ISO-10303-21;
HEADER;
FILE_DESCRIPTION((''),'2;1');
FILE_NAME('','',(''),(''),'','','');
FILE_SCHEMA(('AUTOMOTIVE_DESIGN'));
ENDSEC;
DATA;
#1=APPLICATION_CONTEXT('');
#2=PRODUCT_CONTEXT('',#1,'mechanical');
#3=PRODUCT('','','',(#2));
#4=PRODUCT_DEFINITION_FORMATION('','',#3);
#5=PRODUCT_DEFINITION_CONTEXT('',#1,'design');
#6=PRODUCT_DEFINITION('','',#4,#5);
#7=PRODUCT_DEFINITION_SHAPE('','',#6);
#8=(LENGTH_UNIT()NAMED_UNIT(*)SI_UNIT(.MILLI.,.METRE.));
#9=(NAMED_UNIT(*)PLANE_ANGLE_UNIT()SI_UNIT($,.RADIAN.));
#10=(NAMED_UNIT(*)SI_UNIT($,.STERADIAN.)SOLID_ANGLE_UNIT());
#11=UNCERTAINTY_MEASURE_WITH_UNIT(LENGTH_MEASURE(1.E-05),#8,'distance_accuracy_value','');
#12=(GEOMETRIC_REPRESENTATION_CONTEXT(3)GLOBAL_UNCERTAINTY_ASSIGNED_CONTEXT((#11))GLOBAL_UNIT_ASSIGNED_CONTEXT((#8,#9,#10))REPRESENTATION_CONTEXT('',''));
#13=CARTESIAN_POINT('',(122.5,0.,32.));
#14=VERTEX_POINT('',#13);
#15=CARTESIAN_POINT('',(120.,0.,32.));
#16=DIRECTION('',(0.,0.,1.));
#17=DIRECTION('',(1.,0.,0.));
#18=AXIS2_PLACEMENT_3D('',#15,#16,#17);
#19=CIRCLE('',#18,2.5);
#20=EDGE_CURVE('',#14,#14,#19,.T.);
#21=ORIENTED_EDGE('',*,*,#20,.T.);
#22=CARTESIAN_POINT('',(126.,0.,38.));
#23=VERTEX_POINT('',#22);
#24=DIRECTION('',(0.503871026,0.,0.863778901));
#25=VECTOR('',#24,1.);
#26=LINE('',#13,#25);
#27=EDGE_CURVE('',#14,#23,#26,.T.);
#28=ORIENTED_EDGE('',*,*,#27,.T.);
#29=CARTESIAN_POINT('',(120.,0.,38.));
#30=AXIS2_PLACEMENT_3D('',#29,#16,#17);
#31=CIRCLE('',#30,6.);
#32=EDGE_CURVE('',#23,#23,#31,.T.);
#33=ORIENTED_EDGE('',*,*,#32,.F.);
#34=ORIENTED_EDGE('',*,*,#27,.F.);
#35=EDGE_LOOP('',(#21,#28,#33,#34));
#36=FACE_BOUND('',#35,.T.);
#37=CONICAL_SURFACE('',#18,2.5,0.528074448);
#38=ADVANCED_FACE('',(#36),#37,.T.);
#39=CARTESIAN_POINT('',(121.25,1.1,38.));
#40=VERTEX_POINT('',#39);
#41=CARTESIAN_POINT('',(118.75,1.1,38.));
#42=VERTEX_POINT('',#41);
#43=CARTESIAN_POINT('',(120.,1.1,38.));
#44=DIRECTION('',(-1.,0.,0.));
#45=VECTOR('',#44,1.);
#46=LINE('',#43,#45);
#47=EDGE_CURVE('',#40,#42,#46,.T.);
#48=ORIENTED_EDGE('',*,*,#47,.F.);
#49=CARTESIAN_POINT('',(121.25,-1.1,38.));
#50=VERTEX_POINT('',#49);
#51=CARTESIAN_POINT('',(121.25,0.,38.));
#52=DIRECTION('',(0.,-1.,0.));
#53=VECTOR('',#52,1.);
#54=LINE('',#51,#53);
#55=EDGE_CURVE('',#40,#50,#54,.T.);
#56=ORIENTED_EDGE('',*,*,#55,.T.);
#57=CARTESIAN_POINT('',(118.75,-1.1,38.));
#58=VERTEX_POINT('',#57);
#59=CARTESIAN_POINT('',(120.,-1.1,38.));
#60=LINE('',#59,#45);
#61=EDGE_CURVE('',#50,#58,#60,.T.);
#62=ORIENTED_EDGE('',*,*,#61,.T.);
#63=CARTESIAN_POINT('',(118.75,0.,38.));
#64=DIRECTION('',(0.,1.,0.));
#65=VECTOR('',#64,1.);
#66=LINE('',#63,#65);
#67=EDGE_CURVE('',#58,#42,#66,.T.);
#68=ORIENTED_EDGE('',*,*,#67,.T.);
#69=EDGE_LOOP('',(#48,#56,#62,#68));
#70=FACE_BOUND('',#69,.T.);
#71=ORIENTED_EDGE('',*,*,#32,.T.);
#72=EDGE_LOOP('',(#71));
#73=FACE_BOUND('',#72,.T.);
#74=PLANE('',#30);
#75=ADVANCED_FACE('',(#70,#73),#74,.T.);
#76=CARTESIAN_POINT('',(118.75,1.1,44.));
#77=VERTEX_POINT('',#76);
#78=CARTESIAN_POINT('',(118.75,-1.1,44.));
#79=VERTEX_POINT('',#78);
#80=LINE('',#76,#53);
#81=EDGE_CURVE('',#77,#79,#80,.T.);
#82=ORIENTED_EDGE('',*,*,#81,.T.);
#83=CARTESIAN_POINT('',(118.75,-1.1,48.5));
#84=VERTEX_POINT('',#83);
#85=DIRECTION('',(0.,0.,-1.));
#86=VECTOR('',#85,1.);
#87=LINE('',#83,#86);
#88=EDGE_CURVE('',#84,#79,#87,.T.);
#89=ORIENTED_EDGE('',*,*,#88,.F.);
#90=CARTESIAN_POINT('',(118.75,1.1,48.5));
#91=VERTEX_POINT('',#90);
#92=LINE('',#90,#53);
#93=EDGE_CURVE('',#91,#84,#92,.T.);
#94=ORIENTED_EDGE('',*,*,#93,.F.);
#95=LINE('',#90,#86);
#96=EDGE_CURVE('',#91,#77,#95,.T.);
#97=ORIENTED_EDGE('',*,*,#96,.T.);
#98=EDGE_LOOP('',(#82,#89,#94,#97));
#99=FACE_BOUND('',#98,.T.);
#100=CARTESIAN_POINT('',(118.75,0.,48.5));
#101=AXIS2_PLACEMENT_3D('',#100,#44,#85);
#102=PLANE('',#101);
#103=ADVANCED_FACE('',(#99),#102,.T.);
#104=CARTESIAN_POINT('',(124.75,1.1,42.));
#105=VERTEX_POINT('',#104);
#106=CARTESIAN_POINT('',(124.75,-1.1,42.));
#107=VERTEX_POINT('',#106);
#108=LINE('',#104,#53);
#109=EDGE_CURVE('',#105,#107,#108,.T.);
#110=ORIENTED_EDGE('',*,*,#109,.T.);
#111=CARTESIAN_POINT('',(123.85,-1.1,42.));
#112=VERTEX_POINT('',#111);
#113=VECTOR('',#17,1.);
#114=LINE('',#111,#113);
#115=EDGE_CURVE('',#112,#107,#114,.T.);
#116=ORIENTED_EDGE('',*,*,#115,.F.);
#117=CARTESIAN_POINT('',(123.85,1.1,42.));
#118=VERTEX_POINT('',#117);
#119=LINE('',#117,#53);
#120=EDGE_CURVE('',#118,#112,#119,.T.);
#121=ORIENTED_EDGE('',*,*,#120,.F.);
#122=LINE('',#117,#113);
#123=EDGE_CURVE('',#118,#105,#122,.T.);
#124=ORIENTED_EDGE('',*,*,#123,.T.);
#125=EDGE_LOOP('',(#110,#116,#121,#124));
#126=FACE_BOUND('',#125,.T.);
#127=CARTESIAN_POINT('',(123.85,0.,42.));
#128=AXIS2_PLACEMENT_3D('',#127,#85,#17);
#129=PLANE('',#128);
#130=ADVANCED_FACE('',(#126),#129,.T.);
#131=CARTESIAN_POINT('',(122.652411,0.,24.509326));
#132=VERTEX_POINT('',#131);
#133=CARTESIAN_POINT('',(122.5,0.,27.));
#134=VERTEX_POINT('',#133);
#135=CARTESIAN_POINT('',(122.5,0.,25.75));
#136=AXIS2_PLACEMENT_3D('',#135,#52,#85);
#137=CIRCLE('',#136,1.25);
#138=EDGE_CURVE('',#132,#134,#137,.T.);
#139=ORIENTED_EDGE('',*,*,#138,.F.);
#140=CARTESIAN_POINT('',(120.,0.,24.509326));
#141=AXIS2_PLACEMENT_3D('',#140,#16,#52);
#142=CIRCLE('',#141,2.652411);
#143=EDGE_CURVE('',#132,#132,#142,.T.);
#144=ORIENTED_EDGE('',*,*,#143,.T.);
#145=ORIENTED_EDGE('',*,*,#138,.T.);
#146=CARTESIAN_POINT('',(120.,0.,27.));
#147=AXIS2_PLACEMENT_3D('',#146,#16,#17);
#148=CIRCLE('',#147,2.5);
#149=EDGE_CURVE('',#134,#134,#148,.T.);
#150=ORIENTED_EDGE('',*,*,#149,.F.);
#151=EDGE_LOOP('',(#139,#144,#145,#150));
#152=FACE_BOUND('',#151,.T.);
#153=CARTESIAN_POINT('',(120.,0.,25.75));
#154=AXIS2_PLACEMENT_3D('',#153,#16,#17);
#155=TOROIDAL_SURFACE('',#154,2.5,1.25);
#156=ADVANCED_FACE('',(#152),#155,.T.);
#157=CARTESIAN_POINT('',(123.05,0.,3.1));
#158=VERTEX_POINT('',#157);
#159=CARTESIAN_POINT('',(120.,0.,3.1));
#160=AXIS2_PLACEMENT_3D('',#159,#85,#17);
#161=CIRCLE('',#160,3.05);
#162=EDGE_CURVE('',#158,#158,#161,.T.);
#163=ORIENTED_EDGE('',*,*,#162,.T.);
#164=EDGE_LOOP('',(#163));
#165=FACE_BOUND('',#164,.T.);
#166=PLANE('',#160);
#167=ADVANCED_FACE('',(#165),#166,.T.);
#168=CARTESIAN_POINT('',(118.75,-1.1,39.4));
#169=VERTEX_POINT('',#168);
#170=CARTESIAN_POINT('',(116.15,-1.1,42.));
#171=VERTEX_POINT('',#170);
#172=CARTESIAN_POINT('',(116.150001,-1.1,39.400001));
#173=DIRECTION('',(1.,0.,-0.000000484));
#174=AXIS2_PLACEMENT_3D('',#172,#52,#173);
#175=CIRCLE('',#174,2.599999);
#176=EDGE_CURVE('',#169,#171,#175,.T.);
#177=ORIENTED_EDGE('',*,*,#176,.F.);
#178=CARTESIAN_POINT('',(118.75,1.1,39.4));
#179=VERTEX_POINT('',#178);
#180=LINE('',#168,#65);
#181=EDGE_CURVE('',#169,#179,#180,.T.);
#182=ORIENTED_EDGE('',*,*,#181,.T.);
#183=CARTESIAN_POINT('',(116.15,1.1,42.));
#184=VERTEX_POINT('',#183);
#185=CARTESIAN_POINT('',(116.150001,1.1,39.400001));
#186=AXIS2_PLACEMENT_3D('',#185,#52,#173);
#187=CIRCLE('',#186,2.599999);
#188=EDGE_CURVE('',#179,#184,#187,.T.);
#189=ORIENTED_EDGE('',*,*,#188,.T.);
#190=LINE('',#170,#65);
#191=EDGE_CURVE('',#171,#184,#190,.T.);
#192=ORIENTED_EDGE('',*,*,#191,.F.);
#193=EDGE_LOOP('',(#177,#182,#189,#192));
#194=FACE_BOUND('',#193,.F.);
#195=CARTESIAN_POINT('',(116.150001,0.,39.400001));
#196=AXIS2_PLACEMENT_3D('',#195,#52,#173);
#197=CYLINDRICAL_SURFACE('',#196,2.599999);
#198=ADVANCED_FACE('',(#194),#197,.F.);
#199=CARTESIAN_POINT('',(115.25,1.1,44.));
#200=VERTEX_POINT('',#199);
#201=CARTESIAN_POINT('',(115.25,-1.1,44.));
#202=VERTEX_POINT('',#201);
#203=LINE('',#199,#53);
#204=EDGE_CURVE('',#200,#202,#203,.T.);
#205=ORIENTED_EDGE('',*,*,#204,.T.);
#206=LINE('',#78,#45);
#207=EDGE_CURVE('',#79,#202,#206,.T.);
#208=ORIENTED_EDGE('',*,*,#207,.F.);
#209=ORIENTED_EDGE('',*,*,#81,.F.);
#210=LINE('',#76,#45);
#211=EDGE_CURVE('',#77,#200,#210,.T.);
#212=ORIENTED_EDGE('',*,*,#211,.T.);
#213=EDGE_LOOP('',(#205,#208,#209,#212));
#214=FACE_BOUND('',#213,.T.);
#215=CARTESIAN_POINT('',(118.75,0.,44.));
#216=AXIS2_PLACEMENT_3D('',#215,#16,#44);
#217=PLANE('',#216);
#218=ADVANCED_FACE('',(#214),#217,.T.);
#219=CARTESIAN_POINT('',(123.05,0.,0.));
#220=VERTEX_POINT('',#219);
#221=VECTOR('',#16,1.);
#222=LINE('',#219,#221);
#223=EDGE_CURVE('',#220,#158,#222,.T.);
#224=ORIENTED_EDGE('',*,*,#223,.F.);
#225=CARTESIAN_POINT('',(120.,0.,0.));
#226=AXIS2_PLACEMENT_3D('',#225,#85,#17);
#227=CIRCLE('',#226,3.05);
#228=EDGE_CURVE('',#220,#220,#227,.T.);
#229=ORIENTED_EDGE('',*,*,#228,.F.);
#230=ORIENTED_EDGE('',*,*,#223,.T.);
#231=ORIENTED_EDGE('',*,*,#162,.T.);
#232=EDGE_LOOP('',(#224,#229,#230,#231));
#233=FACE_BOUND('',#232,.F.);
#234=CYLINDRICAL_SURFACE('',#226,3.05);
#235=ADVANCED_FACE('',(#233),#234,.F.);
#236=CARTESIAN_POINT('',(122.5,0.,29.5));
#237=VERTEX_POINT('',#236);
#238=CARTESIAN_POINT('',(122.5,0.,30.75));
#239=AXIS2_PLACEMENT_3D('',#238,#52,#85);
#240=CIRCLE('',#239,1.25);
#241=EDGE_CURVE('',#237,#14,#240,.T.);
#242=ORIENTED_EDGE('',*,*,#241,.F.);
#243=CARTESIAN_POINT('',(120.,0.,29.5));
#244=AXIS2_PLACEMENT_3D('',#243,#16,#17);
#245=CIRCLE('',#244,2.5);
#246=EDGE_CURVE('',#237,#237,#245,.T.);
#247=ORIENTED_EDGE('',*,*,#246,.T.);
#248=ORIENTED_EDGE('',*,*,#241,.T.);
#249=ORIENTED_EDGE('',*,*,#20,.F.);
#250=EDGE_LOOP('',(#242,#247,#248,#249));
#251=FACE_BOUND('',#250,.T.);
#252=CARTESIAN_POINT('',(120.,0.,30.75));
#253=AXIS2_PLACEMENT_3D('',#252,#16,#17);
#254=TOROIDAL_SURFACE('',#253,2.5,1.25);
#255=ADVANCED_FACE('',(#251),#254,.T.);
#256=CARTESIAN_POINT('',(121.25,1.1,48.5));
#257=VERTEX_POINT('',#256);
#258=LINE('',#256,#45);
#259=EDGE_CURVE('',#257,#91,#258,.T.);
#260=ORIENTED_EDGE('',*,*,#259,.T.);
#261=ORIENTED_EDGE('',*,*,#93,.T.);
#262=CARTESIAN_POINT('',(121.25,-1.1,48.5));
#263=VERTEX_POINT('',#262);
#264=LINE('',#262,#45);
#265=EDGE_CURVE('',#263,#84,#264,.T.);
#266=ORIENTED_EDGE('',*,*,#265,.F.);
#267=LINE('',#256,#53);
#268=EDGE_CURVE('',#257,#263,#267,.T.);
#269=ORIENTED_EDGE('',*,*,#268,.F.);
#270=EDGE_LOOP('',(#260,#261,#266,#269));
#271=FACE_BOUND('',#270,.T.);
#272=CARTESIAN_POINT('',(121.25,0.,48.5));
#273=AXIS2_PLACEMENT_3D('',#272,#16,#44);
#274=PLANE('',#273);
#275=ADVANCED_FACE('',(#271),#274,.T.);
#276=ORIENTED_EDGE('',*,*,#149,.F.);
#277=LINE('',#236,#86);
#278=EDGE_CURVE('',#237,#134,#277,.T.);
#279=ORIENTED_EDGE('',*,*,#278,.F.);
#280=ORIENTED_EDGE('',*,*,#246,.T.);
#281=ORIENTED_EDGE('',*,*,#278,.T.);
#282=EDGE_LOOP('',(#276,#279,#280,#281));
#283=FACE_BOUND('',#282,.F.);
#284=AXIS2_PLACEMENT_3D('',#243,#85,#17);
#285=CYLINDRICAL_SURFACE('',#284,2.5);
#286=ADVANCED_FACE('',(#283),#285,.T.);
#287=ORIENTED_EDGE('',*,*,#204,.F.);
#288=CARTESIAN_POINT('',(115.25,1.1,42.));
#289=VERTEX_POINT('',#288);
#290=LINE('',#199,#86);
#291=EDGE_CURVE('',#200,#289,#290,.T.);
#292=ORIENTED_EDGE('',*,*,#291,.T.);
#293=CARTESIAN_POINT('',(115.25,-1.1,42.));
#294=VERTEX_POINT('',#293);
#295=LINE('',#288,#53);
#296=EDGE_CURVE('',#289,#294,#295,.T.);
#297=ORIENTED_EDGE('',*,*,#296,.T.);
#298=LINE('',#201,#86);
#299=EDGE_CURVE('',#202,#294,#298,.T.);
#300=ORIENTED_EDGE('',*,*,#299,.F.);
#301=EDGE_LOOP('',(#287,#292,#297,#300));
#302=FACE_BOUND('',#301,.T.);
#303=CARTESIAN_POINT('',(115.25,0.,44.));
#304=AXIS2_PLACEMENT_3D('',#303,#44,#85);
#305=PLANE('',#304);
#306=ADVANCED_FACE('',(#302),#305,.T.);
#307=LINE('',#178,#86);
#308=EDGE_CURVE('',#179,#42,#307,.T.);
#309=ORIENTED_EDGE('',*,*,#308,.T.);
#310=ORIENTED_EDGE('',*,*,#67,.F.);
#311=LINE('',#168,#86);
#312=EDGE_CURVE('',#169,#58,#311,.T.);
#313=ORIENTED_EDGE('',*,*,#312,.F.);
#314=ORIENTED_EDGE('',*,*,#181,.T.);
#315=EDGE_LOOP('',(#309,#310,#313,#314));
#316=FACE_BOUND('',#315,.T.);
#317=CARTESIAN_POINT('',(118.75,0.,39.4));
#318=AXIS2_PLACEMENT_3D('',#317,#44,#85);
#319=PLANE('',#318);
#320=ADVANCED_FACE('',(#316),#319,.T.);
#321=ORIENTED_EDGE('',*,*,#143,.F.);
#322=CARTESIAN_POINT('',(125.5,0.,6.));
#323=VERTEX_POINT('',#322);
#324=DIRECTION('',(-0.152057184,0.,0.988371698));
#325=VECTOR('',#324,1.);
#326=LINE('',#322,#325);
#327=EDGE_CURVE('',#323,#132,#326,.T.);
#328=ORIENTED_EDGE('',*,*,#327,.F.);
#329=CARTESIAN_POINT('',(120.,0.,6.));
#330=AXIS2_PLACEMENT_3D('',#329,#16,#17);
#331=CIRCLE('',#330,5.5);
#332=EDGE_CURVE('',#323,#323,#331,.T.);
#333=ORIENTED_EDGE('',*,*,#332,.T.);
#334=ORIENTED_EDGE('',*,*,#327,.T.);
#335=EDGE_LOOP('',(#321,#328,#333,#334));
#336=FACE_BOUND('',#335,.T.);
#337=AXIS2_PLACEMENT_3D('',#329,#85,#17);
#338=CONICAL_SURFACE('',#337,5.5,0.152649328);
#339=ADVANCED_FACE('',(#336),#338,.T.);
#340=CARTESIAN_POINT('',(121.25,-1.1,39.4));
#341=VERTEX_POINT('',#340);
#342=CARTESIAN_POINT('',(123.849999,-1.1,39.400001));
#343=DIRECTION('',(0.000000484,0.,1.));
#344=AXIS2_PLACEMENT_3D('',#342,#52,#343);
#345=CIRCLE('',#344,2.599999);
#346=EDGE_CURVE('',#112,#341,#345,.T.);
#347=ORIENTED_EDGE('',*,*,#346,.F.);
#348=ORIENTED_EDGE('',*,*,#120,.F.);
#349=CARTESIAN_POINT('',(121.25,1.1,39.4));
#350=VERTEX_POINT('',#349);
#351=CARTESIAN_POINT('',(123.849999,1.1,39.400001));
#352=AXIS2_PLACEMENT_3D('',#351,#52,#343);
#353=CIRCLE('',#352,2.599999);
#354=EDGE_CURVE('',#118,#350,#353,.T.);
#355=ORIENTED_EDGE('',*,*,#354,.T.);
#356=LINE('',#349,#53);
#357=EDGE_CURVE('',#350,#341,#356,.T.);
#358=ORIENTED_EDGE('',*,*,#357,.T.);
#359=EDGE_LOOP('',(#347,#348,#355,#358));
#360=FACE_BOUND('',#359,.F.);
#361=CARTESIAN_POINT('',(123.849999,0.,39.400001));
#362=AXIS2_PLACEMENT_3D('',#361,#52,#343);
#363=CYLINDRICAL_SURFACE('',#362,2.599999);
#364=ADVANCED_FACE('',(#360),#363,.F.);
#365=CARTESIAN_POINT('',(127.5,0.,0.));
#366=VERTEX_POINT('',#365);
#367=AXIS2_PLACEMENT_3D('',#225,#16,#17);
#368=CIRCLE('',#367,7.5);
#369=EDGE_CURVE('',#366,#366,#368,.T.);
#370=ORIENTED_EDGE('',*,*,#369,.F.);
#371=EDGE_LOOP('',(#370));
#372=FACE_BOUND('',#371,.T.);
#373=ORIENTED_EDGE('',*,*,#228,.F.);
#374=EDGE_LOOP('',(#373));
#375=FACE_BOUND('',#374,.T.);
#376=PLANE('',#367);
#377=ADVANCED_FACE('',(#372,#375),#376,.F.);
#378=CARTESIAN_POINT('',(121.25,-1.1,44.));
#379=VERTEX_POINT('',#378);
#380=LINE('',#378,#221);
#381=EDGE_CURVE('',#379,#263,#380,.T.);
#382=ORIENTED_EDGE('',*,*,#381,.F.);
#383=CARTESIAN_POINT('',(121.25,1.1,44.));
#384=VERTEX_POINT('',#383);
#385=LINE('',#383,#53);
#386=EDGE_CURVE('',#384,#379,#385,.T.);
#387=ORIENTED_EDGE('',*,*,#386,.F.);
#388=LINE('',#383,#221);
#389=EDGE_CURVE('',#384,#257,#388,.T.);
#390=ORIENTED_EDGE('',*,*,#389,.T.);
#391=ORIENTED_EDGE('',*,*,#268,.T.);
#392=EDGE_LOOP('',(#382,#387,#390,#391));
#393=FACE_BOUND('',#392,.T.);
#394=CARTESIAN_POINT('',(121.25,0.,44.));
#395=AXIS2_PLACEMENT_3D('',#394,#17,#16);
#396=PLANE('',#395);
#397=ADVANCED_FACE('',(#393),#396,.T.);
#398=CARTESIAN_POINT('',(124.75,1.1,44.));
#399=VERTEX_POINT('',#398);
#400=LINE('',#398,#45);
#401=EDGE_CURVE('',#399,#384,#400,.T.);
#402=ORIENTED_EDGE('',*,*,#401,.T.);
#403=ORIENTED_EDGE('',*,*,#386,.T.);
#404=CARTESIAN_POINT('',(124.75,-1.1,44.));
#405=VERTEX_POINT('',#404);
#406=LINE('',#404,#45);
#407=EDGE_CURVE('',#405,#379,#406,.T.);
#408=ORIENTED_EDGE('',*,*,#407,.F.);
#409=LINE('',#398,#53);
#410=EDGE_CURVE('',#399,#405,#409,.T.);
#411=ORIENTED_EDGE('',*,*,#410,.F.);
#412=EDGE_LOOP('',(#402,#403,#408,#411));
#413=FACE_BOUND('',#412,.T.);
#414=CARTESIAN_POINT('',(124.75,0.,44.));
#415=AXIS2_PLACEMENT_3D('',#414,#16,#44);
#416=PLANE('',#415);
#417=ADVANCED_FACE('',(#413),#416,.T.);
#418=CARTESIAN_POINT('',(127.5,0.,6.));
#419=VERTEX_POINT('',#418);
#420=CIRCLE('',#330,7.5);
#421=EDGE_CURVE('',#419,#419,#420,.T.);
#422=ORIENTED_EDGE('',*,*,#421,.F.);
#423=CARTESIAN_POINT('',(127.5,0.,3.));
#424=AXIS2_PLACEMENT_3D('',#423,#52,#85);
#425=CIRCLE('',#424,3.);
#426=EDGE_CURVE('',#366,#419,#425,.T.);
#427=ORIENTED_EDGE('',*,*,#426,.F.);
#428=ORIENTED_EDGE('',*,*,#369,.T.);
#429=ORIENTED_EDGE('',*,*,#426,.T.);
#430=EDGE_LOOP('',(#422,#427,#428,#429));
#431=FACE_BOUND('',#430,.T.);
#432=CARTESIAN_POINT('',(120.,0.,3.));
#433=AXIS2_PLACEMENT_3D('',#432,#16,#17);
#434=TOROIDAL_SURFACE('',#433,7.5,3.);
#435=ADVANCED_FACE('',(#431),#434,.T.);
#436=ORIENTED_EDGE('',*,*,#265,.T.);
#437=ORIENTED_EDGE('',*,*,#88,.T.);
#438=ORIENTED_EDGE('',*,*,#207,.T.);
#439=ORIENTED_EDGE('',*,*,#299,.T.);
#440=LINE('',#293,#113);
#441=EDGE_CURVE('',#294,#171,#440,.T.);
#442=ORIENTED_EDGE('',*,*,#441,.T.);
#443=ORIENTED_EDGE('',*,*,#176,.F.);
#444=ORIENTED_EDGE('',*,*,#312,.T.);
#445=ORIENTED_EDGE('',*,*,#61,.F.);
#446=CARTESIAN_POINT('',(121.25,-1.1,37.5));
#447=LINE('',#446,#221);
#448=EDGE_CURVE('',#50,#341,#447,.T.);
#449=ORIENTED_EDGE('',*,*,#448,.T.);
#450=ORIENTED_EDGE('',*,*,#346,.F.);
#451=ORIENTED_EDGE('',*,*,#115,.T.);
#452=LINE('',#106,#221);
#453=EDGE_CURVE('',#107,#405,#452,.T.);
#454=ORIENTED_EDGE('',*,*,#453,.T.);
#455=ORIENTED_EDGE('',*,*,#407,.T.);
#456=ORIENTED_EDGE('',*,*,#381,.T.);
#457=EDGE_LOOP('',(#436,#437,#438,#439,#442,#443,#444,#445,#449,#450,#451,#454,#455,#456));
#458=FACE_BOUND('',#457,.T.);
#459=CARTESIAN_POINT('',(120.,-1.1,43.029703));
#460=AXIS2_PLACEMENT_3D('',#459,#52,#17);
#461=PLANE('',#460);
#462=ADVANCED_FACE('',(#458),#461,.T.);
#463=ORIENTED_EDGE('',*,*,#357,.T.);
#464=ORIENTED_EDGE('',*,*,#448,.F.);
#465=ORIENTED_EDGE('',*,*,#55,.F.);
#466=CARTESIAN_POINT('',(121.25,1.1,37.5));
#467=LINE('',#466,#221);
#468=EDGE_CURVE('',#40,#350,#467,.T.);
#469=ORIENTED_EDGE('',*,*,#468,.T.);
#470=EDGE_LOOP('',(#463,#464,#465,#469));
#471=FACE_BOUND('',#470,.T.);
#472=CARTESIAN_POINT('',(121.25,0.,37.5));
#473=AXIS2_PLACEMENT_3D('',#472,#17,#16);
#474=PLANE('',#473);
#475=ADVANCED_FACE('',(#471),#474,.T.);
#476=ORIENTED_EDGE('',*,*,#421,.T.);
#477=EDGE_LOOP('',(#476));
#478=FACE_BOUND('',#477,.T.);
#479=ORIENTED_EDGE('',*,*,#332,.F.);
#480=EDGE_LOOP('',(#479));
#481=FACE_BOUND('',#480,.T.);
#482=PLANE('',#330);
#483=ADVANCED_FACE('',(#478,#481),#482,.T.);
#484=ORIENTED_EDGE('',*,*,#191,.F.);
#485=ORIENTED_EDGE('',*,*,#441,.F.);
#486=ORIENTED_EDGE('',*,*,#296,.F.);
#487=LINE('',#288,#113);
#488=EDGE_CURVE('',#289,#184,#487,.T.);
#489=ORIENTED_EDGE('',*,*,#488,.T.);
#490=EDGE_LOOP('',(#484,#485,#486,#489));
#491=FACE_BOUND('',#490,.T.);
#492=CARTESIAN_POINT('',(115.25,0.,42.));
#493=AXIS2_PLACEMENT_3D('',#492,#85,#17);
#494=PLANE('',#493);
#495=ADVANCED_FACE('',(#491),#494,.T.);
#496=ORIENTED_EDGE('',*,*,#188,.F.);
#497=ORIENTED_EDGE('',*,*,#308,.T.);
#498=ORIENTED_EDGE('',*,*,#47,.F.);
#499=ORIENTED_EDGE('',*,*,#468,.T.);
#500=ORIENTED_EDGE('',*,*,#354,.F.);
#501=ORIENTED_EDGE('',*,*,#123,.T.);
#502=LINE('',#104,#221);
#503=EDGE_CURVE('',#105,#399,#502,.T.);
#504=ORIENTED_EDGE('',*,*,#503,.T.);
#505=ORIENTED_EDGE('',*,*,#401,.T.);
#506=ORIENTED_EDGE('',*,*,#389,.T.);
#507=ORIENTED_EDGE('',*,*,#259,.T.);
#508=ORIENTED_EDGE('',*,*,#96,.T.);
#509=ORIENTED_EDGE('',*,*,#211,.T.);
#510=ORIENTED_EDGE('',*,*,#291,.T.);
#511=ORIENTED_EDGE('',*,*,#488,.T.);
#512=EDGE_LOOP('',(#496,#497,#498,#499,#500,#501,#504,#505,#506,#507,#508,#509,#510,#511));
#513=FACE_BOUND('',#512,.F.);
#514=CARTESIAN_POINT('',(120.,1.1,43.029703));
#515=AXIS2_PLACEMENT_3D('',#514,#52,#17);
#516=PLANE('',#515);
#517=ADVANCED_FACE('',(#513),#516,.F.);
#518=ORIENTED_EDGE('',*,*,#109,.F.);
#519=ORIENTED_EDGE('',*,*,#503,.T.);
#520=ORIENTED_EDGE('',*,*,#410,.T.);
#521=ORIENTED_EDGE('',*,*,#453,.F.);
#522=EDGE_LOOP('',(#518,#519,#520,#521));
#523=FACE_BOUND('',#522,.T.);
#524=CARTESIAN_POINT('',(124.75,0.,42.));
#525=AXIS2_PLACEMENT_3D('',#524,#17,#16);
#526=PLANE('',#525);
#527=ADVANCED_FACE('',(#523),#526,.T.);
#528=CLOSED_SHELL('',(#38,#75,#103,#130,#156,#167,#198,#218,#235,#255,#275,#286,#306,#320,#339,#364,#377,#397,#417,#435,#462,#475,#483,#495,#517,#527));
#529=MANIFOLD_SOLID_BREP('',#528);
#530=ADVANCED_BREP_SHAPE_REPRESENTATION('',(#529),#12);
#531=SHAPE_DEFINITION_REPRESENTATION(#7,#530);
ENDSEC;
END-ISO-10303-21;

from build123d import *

# Parameters (mm, degrees)
PAD001_DEPTH    = 1.1
SKETCH024_R     = 3.05
POCKET005_DEPTH = 3.1


with BuildPart() as revolution001005:
    # Sketch007 → Revolution001005 (revolve)
    with BuildSketch(Plane.XZ):
        with BuildLine():
            Line((0, 0), (2.5, 0))
            Line((2.5, 24.5), (2.5, 0))
            ThreePointArc((2.5, 24.5), (3.75, 25.75), (2.5, 27))
            Line((2.5, 29.5), (2.5, 27))
            ThreePointArc((2.5, 29.5), (3.75, 30.75), (2.5, 32))
            Line((2.5, 32), (0, 32))
            Line((0, 32), (0, 0))
        make_face()
    revolve(axis=Axis((0, 0, 0), (0, 0, 1)))


with BuildPart() as revolution001004:
    # Sketch006 → Revolution001004 (revolve)
    with BuildSketch(Plane.XZ):
        with BuildLine():
            Line((0, 0), (7.5, 0))
            ThreePointArc((7.5, 0), (10.5, 3), (7.5, 6))
            Line((7.5, 6), (0, 6))
            Line((0, 6), (0, 0))
        make_face()
        Polygon((0, 6), (5.5, 6), (2.5, 25.5), (2.5, 32), (6, 38), (0, 38), align=None)
    revolve(axis=Axis((0, 0, 0), (0, 0, 1)))


with BuildPart() as pocket005:
    # Sketch008 → Pad001 (new body, symmetric)
    with BuildSketch(Plane.XZ):
        with BuildLine():
            Line((-1.25, 37.5), (1.25, 37.5))
            Line((1.25, 37.5), (1.25, 39.4))
            ThreePointArc((3.85, 42), (2.011522, 41.238478), (1.25, 39.4))
            Line((3.85, 42), (4.75, 42))
            Line((4.75, 42), (4.75, 44))
            Line((4.75, 44), (1.25, 44))
            Line((1.25, 44), (1.25, 48.5))
            Line((1.25, 48.5), (-1.25, 48.5))
            Line((-1.25, 48.5), (-1.25, 44))
            Line((-1.25, 44), (-4.75, 44))
            Line((-4.75, 44), (-4.75, 42))
            Line((-4.75, 42), (-3.85, 42))
            ThreePointArc((-1.25, 39.4), (-2.011522, 41.238478), (-3.85, 42))
            Line((-1.25, 39.4), (-1.25, 37.5))
        make_face()
    extrude(amount=PAD001_DEPTH, both=True)

    # Fusion001: union Revolution001005, Revolution001004
    add(revolution001005.part)
    add(revolution001004.part)


with BuildPart() as pocket005_1:
    # Fusion001 placement: moved
    add(pocket005.part.moved(Location((120, 0, 0))))

    # Sketch024 → Pocket005 (cut)
    with BuildSketch(Plane(origin=(120, 0, 0), x_dir=(1, 0, 0), z_dir=(0, 0, -1))):
        Circle(SKETCH024_R)
    extrude(amount=-POCKET005_DEPTH, mode=Mode.SUBTRACT)


solid = pocket005_1.part
